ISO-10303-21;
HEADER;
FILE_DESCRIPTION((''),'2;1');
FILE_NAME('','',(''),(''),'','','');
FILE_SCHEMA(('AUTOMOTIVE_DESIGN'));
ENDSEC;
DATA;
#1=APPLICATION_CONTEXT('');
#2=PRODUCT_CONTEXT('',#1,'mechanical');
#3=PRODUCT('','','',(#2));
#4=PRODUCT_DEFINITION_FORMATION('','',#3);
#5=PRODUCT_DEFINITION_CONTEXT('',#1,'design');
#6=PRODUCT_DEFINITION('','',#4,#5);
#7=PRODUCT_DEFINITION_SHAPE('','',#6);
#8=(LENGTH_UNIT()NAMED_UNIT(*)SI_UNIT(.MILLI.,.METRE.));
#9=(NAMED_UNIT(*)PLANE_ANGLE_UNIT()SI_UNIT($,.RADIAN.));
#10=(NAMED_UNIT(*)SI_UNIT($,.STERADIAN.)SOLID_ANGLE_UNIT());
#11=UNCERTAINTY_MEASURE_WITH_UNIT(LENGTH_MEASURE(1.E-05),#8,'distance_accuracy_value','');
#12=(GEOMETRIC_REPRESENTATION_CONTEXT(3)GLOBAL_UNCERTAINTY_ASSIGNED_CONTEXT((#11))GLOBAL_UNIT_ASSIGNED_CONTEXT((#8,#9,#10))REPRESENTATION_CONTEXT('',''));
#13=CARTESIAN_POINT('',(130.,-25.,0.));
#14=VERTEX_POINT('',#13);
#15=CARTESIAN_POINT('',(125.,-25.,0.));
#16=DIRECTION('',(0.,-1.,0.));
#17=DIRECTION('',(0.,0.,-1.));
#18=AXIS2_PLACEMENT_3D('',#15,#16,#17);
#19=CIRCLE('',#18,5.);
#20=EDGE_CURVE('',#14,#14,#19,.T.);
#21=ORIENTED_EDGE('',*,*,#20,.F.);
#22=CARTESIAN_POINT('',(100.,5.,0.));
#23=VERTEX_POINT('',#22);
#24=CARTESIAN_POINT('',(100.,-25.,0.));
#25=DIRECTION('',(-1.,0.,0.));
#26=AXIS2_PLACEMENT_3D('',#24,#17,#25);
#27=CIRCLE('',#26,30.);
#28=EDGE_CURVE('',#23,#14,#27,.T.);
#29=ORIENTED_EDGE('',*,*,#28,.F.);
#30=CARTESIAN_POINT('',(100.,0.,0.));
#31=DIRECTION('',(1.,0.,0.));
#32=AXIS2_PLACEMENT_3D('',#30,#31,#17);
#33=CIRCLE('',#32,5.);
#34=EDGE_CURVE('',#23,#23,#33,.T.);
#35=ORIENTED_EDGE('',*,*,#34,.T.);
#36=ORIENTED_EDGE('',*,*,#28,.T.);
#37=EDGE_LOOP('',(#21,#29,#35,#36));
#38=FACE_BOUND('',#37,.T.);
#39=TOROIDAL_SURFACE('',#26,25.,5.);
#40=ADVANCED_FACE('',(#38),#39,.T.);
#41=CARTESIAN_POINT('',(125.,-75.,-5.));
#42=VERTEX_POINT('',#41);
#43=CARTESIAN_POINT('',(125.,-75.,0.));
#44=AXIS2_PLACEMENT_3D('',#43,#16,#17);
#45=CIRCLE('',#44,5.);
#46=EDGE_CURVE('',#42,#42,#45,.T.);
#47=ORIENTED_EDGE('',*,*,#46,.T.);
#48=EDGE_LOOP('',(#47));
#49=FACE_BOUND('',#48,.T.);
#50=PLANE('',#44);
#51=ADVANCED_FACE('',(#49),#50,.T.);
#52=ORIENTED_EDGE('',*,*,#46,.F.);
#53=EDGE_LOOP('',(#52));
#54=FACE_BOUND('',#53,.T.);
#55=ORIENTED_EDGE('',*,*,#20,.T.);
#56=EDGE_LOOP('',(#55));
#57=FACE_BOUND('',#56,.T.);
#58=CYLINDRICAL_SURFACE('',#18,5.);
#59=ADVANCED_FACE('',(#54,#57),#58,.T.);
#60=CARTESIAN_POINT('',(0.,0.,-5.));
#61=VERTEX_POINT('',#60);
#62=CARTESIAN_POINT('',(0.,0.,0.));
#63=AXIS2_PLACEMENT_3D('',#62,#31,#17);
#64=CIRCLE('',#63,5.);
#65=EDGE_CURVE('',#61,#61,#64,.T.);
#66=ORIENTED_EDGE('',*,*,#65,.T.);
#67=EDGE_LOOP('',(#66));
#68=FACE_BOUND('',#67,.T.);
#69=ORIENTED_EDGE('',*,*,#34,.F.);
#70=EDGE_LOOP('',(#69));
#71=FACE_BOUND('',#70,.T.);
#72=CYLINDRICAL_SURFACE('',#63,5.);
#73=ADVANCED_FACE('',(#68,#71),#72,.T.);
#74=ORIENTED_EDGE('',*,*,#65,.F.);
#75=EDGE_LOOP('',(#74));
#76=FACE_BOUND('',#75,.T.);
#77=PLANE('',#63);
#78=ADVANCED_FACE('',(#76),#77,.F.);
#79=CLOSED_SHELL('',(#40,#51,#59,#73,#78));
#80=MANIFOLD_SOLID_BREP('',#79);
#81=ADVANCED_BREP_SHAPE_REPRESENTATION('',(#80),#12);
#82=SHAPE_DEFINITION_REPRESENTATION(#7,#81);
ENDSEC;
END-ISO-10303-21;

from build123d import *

# Parameters (mm, degrees)
SKETCH2_R = 5


with BuildPart() as part:
    # Sweep1: sweep along a path in Sketch1
    with BuildLine(Plane.XY) as sweep1_path:
        Line((0, 0), (100, 0))
        ThreePointArc((100, 0), (117.67766953, -7.32233047), (125, -25))
        Line((125, -25), (125, -75))
    # Sketch2 → Sweep1 (sweep)
    with BuildSketch(Plane(origin=(0, 0, 0), x_dir=(0, 0, -1), z_dir=(1, 0, 0))):
        Circle(SKETCH2_R)
    sweep(path=sweep1_path.line)


solid = part.part
